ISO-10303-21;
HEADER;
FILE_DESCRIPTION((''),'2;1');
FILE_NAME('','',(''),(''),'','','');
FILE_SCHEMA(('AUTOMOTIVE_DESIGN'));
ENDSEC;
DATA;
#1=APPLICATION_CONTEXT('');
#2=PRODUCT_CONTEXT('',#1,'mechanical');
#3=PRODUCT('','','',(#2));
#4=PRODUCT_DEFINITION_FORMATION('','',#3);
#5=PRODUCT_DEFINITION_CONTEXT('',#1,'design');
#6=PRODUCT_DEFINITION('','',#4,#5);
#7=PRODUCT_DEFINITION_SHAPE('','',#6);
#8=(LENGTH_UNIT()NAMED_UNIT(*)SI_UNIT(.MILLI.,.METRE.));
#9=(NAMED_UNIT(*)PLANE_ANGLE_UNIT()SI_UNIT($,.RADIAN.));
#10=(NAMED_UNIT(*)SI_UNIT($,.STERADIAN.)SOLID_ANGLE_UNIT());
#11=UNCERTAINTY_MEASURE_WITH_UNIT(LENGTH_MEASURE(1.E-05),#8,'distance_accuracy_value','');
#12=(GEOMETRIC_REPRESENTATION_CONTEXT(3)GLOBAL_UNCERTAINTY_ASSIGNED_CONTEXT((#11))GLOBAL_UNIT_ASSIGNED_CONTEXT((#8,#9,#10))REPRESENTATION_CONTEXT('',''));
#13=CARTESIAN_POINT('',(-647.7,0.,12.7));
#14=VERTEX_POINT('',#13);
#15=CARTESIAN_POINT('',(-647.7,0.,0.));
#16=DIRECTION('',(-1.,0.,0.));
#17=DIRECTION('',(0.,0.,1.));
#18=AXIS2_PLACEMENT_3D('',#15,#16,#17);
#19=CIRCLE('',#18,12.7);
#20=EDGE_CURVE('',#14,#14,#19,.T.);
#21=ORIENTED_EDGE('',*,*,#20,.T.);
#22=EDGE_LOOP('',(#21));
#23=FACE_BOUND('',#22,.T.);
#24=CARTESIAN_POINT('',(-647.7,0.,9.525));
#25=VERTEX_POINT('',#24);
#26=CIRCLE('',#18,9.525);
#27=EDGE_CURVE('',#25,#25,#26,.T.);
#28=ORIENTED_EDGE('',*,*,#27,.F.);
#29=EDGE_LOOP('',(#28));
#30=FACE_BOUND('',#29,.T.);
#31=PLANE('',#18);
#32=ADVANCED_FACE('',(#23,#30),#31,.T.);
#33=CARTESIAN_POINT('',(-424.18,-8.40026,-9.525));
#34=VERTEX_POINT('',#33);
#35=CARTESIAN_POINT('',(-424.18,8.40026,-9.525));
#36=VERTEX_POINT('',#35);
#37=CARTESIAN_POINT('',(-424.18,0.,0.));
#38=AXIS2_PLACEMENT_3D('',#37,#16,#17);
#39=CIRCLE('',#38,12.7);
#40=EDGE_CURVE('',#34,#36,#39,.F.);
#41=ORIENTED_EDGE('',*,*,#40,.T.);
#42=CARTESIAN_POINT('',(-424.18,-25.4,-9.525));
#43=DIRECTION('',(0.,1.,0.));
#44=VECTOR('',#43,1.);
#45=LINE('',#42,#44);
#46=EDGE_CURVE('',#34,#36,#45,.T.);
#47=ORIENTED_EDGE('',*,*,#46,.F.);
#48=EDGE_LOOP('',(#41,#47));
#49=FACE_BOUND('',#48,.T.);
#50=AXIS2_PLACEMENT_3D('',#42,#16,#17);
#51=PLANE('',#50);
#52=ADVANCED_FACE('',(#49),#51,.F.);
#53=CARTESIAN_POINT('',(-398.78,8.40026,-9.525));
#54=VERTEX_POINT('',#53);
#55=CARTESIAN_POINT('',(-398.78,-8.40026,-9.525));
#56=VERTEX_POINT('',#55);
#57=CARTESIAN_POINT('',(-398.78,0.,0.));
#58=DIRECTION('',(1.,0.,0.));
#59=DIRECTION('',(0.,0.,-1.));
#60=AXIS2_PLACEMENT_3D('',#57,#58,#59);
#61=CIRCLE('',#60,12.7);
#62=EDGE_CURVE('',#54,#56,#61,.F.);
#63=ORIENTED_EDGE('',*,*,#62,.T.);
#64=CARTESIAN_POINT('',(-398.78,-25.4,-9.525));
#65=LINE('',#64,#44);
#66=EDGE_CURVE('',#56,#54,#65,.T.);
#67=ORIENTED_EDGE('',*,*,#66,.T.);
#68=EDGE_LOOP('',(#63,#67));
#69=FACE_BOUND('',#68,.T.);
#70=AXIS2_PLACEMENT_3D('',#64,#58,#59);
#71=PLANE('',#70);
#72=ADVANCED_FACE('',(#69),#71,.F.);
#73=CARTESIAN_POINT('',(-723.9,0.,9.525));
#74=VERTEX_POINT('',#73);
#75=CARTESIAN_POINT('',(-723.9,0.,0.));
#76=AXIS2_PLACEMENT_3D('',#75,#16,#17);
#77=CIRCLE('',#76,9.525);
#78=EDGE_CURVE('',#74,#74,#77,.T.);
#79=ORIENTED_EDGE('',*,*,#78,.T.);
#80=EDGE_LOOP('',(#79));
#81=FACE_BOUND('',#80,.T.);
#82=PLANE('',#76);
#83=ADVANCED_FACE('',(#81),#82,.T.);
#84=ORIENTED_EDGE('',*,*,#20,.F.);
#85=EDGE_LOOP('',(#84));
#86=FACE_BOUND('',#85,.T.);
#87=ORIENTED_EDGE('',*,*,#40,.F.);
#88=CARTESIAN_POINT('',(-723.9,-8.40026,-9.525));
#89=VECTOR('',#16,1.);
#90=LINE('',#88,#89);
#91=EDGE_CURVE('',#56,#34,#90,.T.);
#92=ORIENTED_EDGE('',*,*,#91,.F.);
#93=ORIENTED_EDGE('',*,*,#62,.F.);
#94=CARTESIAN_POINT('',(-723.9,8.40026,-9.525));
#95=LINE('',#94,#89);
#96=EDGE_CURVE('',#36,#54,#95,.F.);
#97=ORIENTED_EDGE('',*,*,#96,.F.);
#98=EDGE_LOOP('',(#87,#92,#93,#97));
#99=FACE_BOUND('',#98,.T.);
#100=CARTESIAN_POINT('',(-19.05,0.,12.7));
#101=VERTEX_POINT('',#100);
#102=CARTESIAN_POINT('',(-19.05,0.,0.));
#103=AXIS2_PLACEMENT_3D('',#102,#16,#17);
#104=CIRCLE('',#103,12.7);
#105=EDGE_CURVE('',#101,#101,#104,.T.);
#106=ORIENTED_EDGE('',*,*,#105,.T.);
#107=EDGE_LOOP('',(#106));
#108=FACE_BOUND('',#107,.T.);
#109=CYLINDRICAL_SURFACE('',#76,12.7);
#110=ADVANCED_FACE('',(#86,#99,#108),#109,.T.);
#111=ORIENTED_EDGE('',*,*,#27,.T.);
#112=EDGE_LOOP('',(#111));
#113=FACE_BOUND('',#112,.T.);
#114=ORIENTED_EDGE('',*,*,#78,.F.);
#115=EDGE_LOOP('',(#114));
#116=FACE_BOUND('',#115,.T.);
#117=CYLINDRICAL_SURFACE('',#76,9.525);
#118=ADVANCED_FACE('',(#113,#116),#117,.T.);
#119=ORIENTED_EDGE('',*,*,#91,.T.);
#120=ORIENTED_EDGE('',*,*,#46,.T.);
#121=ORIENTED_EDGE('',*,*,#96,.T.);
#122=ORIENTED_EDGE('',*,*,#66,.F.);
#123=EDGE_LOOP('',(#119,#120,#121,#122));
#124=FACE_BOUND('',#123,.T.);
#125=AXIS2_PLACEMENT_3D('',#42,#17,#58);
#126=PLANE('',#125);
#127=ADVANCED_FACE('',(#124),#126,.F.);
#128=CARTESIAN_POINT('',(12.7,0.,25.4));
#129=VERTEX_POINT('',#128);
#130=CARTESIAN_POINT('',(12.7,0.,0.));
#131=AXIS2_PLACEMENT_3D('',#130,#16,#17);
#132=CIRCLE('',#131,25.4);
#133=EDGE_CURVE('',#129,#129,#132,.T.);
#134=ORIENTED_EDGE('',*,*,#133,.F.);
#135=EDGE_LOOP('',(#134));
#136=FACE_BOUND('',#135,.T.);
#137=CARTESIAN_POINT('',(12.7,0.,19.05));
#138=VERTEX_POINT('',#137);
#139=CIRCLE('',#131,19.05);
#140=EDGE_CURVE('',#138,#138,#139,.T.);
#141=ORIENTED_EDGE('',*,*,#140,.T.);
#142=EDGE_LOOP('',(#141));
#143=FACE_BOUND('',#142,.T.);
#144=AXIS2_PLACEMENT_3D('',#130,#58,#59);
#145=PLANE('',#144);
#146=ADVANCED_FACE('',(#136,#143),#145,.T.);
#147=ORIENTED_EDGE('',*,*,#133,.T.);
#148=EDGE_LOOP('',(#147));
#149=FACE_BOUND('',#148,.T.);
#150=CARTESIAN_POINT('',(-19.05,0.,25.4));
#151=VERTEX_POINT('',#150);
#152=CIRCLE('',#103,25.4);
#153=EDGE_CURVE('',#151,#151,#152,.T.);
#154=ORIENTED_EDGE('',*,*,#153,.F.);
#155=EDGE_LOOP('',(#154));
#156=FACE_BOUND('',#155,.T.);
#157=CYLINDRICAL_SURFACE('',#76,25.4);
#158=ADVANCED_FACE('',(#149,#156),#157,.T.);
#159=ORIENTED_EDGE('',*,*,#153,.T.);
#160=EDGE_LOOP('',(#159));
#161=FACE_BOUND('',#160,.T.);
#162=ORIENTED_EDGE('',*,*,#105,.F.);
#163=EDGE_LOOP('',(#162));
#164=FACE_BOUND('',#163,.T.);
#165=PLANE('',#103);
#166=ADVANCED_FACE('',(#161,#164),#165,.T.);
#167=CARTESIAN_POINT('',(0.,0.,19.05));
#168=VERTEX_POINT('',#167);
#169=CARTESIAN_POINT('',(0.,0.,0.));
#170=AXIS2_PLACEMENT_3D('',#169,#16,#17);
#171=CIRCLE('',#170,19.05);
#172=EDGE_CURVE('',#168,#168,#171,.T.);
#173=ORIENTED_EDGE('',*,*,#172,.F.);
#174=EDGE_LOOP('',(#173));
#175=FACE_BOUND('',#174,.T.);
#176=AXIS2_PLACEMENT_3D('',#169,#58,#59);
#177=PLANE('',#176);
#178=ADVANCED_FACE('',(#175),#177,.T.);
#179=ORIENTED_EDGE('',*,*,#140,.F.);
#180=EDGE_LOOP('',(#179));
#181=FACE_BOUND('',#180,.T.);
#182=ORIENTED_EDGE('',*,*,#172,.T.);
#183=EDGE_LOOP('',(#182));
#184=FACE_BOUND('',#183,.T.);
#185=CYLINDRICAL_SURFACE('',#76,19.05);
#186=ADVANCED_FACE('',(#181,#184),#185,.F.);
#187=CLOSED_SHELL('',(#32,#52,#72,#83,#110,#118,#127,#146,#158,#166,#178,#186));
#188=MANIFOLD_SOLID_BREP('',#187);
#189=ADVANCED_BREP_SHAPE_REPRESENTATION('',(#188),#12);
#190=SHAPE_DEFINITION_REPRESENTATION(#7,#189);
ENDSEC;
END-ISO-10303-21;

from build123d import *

# Parameters (mm, degrees)
SKETCH3_W               = 25.4
SKETCH3_H               = 3.175
CUT_EXTRUDE1_DEPTH      = 725.790680128
CUT_EXTRUDE1_DEPTH_BACK = 725.790680128


with BuildPart() as part:
    # Sketch2 → Revolve1 (revolve)
    with BuildSketch(Plane(origin=(0, 0, 0), x_dir=(1, 0, 0), z_dir=(0, 1, 0)), mode=Mode.PRIVATE) as revolve1_sk:
        Polygon((-723.9, 0), (0, 0), (0, 19.05), (12.7, 19.05), (12.7, 25.4), (-19.05, 25.4), (-19.05, 12.7), (-647.7, 12.7), (-647.7, 9.525), (-723.9, 9.525), align=None)
    revolve(revolve1_sk.sketch.rotate(Axis((-723.9, 0, 0), (1, 0, 0)), 180), axis=Axis((-723.9, 0, 0), (1, 0, 0)))

    # Sketch3 → Cut-Extrude1 (cut, two sides)
    with BuildSketch(Plane(origin=(0, 0, 0), x_dir=(1, 0, 0), z_dir=(0, 1, 0))) as cut_extrude1_sk:
        with Locations((-411.48, 11.1125)):
            Rectangle(SKETCH3_W, SKETCH3_H)
    extrude(amount=CUT_EXTRUDE1_DEPTH, mode=Mode.SUBTRACT)
    extrude(cut_extrude1_sk.sketch, amount=-CUT_EXTRUDE1_DEPTH_BACK, mode=Mode.SUBTRACT)


solid = part.part
